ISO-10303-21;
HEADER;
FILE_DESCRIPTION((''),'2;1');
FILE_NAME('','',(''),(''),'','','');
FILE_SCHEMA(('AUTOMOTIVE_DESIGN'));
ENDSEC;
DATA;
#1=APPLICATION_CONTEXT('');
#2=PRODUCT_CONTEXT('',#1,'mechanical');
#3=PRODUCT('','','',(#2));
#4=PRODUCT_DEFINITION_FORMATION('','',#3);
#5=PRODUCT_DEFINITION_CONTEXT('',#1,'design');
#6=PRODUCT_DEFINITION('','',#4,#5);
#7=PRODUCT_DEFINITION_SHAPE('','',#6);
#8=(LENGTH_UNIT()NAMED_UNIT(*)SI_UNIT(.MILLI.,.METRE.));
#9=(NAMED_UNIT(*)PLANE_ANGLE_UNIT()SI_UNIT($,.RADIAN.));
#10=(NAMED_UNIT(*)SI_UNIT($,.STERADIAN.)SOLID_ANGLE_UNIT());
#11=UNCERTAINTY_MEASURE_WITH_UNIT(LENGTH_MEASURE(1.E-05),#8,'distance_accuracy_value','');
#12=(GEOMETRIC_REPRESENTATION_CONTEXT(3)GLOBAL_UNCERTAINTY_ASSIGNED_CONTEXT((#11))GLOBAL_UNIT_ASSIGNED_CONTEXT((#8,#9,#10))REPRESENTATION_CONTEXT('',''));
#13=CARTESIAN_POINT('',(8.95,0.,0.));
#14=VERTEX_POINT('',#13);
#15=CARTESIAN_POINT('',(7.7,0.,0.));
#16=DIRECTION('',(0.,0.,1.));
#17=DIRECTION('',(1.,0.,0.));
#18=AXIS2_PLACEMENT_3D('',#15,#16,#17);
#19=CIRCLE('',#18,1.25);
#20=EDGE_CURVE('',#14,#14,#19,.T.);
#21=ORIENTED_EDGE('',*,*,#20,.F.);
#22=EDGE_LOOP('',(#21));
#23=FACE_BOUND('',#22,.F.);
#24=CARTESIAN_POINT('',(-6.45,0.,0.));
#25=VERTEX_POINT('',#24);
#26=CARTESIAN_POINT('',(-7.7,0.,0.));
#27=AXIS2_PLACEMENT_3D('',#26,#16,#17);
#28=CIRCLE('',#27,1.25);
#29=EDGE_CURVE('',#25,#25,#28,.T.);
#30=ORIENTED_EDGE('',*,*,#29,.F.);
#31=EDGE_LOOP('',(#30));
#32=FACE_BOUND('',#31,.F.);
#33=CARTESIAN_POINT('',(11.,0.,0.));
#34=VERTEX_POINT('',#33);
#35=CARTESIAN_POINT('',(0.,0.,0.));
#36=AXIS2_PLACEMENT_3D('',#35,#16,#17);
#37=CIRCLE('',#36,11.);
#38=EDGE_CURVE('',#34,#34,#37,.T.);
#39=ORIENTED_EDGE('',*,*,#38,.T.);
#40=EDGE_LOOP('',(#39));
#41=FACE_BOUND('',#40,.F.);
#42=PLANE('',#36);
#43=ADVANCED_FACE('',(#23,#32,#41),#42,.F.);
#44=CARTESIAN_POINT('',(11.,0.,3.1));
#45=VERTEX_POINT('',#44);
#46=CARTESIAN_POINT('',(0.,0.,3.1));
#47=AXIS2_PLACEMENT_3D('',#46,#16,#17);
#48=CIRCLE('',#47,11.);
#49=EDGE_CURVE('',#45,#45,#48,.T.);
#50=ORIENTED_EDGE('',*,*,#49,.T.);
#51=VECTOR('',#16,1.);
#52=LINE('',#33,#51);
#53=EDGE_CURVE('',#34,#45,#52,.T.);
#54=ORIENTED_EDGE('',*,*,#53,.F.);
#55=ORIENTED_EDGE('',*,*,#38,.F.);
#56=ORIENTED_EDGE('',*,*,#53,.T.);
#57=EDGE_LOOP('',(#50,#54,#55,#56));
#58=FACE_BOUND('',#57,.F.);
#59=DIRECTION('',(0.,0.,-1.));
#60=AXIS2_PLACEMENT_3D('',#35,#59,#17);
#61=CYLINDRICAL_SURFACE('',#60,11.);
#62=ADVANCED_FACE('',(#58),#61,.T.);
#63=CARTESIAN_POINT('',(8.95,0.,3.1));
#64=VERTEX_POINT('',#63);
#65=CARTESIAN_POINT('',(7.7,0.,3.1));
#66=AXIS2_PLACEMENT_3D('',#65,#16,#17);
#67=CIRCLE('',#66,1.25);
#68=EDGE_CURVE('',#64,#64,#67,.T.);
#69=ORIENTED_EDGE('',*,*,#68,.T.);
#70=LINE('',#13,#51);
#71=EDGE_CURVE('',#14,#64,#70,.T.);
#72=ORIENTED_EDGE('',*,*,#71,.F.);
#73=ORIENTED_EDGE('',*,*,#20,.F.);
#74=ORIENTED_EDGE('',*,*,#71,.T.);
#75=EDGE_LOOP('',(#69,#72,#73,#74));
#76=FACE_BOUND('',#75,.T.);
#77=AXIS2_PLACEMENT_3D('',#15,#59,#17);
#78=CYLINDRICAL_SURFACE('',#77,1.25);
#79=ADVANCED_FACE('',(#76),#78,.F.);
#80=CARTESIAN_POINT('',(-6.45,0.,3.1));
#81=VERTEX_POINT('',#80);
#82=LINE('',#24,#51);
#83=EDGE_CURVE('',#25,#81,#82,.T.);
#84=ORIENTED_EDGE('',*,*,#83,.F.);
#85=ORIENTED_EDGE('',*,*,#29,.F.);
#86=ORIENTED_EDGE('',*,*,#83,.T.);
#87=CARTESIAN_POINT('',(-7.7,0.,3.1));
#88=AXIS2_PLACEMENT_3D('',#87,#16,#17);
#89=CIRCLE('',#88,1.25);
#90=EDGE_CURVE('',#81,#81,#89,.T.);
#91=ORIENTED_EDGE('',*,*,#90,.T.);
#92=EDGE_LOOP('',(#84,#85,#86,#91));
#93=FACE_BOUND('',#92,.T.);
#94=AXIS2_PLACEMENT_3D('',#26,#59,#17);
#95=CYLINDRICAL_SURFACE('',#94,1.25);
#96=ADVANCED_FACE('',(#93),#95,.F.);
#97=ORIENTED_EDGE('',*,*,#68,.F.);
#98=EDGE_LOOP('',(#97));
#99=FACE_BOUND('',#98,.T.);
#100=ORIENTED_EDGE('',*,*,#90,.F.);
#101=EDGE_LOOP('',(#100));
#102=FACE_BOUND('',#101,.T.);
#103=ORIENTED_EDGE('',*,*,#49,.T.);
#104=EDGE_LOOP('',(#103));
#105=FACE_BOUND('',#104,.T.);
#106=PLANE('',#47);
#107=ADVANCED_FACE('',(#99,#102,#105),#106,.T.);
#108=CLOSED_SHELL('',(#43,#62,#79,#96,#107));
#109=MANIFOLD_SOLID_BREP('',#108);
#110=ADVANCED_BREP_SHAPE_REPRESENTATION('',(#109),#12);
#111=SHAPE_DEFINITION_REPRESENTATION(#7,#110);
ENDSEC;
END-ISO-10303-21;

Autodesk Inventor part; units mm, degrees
ref_plane "YZ Plane" through (0, 0, 0) normal (1, 0, 0) x (0, 1, 0)
ref_plane "XZ Plane" through (0, 0, 0) normal (0, 1, 0) x (-1, 0, 0)
ref_plane "XY Plane" through (0, 0, 0) normal (0, 0, 1) x (1, 0, 0)
sketch "Sketch1" plane through (0, 0, 0) normal (0, 0, 1) x (1, 0, 0)
  circle A0 centre (0, 0) radius 11
  line L0 (-7.7, 0) -> (7.7, 0) construction
  circle A1 centre (-7.7, 0) radius 1.25
  circle A2 centre (7.7, 0) radius 1.25
  dimension "d0" = 22
  dimension "d1" = 15.4
  dimension "d2" = 2.5
  dimension "d3" = 2.5
extrude "Extrusion1" add sketch "Sketch1" along normal blind 3.1
equation "\"d0\" = cs_diam"
equation "\"d1\" = cs_holeSpacing"
equation "\"d2\" = cs_holeDiam"
equation "\"d3\" = cs_holeDiam"
equation "\"d4\" = cs_depth"
equation "\"cs_diam\" = 22"
equation "\"cs_holeSpacing\" = 15.4"
equation "\"cs_holeDiam\" = 2.5"
equation "\"cs_depth\" = 3.1"
properties part number "Caster Spacer 3,1mm" material "PMMA Plastic"
